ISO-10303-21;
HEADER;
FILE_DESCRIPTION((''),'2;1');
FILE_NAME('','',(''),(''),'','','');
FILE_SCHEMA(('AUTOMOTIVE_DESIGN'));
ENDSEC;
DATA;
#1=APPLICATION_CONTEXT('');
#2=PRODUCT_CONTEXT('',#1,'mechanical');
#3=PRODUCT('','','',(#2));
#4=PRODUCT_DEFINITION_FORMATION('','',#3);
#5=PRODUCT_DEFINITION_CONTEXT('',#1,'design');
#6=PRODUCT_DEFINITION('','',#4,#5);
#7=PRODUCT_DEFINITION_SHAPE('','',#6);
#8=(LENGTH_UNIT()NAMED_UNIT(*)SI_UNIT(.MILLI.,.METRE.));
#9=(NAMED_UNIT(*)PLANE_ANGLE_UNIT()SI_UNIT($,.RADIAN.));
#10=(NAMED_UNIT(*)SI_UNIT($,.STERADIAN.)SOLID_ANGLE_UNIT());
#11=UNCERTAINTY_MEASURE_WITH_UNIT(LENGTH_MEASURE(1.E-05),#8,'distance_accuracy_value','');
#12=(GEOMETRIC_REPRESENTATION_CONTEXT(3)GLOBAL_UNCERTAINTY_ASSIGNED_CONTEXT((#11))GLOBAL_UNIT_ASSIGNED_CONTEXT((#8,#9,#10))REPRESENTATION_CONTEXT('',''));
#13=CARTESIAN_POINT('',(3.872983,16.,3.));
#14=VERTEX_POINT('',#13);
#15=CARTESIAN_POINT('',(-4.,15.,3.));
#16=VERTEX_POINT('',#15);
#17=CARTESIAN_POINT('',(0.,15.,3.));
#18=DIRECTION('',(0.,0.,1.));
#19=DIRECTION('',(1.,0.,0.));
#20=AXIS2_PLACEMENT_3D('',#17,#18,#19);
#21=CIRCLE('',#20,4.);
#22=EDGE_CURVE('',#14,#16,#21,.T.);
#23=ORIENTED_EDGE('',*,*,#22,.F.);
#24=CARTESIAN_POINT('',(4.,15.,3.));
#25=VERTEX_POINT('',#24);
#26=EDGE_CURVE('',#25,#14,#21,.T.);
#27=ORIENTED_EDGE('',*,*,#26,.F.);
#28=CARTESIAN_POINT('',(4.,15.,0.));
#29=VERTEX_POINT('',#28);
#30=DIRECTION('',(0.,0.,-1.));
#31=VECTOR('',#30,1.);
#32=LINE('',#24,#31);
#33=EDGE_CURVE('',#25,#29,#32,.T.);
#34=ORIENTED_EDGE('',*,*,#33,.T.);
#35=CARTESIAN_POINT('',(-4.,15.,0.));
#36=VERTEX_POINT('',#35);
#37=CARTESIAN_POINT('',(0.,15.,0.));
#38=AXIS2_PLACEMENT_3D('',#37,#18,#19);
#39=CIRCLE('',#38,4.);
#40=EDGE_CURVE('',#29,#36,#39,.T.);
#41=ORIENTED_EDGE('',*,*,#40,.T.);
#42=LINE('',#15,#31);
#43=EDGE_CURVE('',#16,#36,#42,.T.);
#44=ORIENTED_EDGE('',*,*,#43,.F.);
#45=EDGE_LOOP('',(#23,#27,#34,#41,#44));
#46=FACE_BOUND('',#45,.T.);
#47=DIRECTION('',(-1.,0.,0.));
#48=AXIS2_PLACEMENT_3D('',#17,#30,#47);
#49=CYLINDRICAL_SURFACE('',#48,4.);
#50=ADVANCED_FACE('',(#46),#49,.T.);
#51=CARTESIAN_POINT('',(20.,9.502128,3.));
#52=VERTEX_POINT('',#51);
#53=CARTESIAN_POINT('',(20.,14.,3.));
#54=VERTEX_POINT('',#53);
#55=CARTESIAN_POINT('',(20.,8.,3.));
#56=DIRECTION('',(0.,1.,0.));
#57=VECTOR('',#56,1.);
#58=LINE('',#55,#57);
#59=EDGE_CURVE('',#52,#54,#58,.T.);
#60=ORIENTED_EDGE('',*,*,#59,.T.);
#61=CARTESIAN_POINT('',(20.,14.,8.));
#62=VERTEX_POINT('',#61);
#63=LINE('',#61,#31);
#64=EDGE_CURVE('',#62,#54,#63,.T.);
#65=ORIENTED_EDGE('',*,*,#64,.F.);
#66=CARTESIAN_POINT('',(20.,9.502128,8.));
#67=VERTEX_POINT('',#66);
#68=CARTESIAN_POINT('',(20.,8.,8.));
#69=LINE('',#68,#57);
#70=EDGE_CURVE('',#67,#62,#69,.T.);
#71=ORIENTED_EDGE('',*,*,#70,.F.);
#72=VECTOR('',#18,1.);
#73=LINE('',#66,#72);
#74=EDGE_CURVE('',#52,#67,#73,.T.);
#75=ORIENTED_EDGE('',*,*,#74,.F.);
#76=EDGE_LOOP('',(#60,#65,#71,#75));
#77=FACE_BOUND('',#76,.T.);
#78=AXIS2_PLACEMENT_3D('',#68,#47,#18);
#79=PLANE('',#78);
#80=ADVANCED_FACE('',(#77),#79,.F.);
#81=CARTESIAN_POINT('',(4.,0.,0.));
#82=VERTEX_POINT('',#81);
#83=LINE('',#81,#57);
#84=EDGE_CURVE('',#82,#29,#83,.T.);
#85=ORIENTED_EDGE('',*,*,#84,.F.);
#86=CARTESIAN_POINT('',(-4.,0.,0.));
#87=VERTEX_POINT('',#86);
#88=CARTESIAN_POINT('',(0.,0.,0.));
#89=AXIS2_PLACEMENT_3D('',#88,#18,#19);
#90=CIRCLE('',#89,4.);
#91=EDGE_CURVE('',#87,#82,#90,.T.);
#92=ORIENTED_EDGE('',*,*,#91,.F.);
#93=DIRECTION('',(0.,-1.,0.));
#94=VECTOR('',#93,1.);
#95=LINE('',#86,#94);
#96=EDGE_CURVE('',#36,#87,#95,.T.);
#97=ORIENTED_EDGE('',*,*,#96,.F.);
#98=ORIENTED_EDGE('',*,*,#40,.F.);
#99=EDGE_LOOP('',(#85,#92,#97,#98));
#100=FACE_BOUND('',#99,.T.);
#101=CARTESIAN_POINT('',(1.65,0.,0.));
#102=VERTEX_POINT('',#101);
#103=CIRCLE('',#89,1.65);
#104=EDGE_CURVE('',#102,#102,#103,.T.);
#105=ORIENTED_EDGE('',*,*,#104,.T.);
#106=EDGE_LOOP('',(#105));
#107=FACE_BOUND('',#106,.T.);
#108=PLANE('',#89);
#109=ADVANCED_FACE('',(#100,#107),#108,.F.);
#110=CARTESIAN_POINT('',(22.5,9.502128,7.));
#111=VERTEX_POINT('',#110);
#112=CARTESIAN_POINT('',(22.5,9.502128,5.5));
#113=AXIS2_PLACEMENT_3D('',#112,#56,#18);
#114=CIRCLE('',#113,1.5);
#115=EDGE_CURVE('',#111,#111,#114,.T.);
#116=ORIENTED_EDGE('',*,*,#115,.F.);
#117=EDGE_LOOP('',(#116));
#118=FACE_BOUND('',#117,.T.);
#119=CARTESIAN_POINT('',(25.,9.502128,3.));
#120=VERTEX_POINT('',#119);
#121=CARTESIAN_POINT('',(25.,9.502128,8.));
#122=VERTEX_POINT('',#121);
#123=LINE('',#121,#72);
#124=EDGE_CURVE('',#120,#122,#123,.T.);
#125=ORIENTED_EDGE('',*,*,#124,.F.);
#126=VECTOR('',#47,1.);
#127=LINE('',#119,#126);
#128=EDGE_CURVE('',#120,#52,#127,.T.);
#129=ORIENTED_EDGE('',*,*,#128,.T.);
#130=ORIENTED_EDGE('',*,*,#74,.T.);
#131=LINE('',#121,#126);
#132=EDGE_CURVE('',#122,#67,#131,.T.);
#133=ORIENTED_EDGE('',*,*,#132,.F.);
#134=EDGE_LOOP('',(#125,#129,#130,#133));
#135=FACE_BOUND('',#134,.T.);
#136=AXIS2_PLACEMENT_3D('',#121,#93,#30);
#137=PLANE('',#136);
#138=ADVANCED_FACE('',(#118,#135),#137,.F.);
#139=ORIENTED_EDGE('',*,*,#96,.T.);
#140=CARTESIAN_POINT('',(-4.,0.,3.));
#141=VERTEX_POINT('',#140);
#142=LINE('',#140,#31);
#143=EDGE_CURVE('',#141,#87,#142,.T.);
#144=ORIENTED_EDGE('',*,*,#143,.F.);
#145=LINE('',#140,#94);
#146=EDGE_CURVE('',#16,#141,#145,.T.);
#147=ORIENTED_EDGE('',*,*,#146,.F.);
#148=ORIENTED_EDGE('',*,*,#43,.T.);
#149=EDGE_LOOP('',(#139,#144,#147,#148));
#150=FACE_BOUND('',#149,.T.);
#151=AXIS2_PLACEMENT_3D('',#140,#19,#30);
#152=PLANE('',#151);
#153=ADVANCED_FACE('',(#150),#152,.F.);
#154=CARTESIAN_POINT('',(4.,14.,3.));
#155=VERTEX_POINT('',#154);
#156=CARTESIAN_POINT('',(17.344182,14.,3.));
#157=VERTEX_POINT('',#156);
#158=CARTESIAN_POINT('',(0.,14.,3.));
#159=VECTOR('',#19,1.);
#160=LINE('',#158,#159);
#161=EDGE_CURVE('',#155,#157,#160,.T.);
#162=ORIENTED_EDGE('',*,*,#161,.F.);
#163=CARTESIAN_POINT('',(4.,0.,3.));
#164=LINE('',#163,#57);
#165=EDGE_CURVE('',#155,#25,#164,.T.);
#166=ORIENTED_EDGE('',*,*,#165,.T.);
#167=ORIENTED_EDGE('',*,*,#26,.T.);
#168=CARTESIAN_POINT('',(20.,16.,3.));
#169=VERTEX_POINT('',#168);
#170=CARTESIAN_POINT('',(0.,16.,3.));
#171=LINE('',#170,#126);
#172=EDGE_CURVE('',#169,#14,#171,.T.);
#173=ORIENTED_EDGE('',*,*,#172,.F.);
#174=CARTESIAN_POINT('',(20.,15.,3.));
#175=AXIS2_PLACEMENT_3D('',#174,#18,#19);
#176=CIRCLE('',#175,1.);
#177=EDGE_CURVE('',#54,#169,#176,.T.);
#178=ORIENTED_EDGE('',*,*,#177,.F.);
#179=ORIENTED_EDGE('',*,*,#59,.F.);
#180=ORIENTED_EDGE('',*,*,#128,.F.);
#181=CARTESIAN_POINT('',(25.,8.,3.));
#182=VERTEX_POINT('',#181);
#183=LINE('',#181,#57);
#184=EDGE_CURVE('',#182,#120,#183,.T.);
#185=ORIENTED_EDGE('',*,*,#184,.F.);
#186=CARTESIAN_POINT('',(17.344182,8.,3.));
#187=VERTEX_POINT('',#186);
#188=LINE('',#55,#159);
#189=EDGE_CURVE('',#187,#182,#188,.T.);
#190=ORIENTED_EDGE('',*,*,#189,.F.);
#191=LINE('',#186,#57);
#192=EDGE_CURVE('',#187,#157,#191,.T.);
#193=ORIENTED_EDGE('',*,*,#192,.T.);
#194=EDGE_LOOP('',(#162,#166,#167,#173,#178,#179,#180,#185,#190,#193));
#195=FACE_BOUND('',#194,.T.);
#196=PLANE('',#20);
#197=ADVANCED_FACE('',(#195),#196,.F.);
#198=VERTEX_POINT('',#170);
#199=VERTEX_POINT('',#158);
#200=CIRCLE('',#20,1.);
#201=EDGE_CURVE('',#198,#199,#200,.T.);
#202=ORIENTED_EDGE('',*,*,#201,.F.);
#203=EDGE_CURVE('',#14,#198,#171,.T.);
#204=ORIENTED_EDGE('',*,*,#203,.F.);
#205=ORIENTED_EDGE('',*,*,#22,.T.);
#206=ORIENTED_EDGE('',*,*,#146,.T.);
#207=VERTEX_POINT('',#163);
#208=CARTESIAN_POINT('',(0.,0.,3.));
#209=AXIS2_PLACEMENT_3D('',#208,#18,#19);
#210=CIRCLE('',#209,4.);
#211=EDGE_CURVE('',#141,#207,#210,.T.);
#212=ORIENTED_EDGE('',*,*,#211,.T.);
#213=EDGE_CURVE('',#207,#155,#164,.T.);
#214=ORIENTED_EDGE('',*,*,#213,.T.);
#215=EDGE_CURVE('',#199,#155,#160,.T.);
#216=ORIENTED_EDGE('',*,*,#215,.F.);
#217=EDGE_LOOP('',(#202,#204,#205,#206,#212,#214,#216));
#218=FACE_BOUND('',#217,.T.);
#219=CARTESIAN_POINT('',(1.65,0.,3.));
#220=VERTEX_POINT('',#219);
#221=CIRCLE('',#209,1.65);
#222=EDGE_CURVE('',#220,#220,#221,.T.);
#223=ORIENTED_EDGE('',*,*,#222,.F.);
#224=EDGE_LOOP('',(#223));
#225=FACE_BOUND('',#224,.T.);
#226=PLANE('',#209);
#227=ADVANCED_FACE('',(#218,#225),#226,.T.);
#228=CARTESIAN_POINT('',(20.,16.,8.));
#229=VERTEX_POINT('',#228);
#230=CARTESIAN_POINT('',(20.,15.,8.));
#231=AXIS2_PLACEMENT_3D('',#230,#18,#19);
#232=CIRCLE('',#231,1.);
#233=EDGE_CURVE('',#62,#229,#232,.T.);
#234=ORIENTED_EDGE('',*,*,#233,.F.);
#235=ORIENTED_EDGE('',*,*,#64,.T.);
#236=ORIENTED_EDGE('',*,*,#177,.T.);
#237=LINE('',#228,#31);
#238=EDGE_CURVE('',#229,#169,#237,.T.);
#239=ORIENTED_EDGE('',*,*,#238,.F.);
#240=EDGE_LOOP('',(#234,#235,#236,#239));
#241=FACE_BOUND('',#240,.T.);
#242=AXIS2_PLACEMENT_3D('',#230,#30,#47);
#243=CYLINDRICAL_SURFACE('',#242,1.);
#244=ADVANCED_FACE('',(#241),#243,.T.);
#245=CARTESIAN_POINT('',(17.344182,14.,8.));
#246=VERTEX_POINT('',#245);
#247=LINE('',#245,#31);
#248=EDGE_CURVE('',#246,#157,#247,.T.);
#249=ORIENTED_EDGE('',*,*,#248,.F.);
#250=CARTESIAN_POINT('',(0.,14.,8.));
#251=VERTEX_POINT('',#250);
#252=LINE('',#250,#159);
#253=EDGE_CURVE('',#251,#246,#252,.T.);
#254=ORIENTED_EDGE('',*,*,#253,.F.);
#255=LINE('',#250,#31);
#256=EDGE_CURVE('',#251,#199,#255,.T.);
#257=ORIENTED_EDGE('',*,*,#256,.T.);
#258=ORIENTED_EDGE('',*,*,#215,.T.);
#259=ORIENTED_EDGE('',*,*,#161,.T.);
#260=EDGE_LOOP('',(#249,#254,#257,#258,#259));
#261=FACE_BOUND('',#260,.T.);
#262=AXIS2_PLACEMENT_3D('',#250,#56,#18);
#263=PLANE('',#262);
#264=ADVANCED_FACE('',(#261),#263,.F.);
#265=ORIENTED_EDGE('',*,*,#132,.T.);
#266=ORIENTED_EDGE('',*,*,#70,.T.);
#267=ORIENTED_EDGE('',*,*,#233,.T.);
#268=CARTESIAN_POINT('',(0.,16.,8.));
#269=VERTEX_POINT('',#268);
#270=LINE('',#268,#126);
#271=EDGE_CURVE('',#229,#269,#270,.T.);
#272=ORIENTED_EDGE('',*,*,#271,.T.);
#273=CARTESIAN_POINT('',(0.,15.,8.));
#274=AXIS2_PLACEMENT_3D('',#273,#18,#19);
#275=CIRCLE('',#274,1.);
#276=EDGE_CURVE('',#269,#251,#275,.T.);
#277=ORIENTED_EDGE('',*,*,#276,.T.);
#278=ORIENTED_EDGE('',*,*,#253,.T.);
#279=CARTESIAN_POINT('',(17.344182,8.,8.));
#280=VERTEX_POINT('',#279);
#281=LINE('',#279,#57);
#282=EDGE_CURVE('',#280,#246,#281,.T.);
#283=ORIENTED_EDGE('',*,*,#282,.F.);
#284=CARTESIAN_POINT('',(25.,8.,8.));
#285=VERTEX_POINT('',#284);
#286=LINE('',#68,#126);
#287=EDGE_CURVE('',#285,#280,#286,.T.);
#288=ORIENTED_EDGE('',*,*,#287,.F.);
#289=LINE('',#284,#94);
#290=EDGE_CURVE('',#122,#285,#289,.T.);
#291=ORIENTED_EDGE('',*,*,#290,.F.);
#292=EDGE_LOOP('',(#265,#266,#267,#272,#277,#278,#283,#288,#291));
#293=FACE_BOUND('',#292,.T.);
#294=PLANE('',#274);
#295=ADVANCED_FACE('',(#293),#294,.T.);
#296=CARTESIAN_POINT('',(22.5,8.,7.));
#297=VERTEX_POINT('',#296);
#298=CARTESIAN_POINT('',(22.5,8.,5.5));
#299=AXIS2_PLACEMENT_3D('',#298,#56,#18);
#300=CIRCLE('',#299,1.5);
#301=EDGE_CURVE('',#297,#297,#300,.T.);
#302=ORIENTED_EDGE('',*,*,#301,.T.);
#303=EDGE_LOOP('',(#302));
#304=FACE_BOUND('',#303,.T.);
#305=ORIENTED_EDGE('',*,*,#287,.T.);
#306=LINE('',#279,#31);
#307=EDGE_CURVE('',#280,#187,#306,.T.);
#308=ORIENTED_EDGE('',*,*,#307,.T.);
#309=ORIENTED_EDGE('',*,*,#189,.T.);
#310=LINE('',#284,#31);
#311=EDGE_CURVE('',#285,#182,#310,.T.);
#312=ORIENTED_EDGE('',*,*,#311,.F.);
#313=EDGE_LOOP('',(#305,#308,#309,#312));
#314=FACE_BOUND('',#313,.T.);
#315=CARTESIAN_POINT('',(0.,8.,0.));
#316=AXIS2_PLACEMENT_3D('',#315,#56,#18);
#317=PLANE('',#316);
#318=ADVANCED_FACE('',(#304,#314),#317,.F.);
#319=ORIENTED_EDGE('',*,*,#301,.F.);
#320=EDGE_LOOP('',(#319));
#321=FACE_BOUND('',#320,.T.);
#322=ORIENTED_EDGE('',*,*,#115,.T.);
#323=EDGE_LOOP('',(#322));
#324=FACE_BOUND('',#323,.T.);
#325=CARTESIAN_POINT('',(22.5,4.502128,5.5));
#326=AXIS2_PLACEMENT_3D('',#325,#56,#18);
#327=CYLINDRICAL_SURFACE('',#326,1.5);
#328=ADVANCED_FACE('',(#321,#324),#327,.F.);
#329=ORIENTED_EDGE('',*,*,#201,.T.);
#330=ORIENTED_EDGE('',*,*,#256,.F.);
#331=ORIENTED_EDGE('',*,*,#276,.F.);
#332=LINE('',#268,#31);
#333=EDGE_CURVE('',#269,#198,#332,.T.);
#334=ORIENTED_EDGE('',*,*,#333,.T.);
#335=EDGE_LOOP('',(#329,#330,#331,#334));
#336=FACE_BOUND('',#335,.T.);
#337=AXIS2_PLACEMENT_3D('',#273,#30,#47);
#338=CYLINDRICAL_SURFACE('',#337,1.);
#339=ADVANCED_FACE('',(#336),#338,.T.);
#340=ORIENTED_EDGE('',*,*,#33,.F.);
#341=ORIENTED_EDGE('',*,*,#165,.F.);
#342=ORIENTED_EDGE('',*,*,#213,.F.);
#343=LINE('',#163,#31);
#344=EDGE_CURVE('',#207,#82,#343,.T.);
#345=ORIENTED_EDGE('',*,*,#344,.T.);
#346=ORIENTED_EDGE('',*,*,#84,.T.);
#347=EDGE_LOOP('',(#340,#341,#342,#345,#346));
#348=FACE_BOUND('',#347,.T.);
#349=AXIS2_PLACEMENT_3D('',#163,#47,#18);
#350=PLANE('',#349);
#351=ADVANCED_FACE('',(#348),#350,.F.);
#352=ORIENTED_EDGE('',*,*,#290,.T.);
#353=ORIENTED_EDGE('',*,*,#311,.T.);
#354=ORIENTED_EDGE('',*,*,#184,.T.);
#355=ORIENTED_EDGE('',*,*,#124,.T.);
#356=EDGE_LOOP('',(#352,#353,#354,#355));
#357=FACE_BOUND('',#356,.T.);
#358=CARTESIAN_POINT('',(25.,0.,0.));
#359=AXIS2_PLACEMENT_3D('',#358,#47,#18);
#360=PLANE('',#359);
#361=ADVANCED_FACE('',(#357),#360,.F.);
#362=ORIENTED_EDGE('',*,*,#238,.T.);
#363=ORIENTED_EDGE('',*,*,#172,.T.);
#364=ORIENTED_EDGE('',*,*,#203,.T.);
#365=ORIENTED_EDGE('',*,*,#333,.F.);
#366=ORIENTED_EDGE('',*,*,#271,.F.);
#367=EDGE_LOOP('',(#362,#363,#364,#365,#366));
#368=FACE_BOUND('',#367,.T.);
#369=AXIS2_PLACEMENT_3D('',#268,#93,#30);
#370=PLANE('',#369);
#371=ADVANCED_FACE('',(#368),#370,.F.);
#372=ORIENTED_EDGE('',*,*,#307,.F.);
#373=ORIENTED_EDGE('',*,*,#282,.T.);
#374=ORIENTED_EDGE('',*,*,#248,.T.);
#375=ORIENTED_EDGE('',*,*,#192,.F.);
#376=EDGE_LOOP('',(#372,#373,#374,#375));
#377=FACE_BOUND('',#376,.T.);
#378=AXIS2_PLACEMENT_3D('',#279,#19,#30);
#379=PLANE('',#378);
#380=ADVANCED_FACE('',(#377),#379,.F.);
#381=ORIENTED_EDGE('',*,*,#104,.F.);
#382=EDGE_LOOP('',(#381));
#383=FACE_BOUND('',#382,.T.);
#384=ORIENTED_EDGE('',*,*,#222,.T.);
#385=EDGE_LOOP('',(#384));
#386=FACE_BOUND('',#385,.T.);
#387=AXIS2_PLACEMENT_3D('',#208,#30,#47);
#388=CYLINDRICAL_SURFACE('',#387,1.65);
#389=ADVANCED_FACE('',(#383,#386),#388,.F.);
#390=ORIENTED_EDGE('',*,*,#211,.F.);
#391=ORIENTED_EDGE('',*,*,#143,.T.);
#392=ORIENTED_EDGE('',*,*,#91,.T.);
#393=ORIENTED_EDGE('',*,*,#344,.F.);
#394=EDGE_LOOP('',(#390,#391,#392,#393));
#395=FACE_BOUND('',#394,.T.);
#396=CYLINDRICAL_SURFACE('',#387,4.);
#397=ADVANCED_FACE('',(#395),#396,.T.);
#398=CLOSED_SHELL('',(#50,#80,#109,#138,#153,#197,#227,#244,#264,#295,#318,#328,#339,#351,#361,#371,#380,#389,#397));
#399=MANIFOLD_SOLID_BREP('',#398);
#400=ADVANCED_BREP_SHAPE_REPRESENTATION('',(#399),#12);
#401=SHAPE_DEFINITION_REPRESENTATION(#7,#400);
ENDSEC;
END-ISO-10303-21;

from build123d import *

# Parameters (mm, degrees)
SKETCH3_R           = 1.65
BOSS_EXTRUDE1_DEPTH = 3
BOSS_EXTRUDE2_DEPTH = 5
SKETCH11_W          = 2.655817679
SKETCH11_H          = 5
BOSS_EXTRUDE6_DEPTH = 6
SKETCH12_W          = 5
SKETCH12_H          = 1.502128234
BOSS_EXTRUDE7_DEPTH = 5
SKETCH13_R          = 1.5
CUT_EXTRUDE3_DEPTH  = 5


with BuildPart() as part:
    # Sketch3 → Boss-Extrude1 (new body)
    with BuildSketch(Plane.XY):
        with BuildLine():
            Line((-4, 0), (-4, 15))
            ThreePointArc((-4, 15), (0, 19), (4, 15))
            Line((4, 15), (4, 0))
            ThreePointArc((4, 0), (0, -4), (-4, 0))
        make_face()
        Circle(SKETCH3_R, mode=Mode.SUBTRACT)
    extrude(amount=BOSS_EXTRUDE1_DEPTH)

    # Sketch4 → Boss-Extrude2 (add)
    with BuildSketch(Plane.XY.offset(3)):
        with BuildLine():
            Line((0, 16), (20, 16))
            ThreePointArc((20, 16), (21, 15), (20, 14))
            Line((20, 14), (0, 14))
            ThreePointArc((0, 14), (-1, 15), (0, 16))
        make_face()
    extrude(amount=BOSS_EXTRUDE2_DEPTH)

    # Sketch11 → Boss-Extrude6 (add)
    with BuildSketch(Plane.XZ.offset(-14)):
        with Locations((18.672091161, 5.5)):
            Rectangle(SKETCH11_W, SKETCH11_H)
    extrude(amount=BOSS_EXTRUDE6_DEPTH)

    # Sketch12 → Boss-Extrude7 (add)
    with BuildSketch(Plane(origin=(20, 0, 0), x_dir=(0, 0, -1), z_dir=(1, 0, 0))):
        with Locations((-5.5, 8.751064117)):
            Rectangle(SKETCH12_W, SKETCH12_H)
    extrude(amount=BOSS_EXTRUDE7_DEPTH)

    # Sketch13 → Cut-Extrude3 (cut)
    with BuildSketch(Plane(origin=(0, 9.502128234, 0), x_dir=(1, 0, 0), z_dir=(0, 1, 0))):
        with Locations(Location((22.5, -5.5, 0), (0, 0, 270))):
            Circle(SKETCH13_R)
    extrude(amount=-CUT_EXTRUDE3_DEPTH, mode=Mode.SUBTRACT)


solid = part.part
